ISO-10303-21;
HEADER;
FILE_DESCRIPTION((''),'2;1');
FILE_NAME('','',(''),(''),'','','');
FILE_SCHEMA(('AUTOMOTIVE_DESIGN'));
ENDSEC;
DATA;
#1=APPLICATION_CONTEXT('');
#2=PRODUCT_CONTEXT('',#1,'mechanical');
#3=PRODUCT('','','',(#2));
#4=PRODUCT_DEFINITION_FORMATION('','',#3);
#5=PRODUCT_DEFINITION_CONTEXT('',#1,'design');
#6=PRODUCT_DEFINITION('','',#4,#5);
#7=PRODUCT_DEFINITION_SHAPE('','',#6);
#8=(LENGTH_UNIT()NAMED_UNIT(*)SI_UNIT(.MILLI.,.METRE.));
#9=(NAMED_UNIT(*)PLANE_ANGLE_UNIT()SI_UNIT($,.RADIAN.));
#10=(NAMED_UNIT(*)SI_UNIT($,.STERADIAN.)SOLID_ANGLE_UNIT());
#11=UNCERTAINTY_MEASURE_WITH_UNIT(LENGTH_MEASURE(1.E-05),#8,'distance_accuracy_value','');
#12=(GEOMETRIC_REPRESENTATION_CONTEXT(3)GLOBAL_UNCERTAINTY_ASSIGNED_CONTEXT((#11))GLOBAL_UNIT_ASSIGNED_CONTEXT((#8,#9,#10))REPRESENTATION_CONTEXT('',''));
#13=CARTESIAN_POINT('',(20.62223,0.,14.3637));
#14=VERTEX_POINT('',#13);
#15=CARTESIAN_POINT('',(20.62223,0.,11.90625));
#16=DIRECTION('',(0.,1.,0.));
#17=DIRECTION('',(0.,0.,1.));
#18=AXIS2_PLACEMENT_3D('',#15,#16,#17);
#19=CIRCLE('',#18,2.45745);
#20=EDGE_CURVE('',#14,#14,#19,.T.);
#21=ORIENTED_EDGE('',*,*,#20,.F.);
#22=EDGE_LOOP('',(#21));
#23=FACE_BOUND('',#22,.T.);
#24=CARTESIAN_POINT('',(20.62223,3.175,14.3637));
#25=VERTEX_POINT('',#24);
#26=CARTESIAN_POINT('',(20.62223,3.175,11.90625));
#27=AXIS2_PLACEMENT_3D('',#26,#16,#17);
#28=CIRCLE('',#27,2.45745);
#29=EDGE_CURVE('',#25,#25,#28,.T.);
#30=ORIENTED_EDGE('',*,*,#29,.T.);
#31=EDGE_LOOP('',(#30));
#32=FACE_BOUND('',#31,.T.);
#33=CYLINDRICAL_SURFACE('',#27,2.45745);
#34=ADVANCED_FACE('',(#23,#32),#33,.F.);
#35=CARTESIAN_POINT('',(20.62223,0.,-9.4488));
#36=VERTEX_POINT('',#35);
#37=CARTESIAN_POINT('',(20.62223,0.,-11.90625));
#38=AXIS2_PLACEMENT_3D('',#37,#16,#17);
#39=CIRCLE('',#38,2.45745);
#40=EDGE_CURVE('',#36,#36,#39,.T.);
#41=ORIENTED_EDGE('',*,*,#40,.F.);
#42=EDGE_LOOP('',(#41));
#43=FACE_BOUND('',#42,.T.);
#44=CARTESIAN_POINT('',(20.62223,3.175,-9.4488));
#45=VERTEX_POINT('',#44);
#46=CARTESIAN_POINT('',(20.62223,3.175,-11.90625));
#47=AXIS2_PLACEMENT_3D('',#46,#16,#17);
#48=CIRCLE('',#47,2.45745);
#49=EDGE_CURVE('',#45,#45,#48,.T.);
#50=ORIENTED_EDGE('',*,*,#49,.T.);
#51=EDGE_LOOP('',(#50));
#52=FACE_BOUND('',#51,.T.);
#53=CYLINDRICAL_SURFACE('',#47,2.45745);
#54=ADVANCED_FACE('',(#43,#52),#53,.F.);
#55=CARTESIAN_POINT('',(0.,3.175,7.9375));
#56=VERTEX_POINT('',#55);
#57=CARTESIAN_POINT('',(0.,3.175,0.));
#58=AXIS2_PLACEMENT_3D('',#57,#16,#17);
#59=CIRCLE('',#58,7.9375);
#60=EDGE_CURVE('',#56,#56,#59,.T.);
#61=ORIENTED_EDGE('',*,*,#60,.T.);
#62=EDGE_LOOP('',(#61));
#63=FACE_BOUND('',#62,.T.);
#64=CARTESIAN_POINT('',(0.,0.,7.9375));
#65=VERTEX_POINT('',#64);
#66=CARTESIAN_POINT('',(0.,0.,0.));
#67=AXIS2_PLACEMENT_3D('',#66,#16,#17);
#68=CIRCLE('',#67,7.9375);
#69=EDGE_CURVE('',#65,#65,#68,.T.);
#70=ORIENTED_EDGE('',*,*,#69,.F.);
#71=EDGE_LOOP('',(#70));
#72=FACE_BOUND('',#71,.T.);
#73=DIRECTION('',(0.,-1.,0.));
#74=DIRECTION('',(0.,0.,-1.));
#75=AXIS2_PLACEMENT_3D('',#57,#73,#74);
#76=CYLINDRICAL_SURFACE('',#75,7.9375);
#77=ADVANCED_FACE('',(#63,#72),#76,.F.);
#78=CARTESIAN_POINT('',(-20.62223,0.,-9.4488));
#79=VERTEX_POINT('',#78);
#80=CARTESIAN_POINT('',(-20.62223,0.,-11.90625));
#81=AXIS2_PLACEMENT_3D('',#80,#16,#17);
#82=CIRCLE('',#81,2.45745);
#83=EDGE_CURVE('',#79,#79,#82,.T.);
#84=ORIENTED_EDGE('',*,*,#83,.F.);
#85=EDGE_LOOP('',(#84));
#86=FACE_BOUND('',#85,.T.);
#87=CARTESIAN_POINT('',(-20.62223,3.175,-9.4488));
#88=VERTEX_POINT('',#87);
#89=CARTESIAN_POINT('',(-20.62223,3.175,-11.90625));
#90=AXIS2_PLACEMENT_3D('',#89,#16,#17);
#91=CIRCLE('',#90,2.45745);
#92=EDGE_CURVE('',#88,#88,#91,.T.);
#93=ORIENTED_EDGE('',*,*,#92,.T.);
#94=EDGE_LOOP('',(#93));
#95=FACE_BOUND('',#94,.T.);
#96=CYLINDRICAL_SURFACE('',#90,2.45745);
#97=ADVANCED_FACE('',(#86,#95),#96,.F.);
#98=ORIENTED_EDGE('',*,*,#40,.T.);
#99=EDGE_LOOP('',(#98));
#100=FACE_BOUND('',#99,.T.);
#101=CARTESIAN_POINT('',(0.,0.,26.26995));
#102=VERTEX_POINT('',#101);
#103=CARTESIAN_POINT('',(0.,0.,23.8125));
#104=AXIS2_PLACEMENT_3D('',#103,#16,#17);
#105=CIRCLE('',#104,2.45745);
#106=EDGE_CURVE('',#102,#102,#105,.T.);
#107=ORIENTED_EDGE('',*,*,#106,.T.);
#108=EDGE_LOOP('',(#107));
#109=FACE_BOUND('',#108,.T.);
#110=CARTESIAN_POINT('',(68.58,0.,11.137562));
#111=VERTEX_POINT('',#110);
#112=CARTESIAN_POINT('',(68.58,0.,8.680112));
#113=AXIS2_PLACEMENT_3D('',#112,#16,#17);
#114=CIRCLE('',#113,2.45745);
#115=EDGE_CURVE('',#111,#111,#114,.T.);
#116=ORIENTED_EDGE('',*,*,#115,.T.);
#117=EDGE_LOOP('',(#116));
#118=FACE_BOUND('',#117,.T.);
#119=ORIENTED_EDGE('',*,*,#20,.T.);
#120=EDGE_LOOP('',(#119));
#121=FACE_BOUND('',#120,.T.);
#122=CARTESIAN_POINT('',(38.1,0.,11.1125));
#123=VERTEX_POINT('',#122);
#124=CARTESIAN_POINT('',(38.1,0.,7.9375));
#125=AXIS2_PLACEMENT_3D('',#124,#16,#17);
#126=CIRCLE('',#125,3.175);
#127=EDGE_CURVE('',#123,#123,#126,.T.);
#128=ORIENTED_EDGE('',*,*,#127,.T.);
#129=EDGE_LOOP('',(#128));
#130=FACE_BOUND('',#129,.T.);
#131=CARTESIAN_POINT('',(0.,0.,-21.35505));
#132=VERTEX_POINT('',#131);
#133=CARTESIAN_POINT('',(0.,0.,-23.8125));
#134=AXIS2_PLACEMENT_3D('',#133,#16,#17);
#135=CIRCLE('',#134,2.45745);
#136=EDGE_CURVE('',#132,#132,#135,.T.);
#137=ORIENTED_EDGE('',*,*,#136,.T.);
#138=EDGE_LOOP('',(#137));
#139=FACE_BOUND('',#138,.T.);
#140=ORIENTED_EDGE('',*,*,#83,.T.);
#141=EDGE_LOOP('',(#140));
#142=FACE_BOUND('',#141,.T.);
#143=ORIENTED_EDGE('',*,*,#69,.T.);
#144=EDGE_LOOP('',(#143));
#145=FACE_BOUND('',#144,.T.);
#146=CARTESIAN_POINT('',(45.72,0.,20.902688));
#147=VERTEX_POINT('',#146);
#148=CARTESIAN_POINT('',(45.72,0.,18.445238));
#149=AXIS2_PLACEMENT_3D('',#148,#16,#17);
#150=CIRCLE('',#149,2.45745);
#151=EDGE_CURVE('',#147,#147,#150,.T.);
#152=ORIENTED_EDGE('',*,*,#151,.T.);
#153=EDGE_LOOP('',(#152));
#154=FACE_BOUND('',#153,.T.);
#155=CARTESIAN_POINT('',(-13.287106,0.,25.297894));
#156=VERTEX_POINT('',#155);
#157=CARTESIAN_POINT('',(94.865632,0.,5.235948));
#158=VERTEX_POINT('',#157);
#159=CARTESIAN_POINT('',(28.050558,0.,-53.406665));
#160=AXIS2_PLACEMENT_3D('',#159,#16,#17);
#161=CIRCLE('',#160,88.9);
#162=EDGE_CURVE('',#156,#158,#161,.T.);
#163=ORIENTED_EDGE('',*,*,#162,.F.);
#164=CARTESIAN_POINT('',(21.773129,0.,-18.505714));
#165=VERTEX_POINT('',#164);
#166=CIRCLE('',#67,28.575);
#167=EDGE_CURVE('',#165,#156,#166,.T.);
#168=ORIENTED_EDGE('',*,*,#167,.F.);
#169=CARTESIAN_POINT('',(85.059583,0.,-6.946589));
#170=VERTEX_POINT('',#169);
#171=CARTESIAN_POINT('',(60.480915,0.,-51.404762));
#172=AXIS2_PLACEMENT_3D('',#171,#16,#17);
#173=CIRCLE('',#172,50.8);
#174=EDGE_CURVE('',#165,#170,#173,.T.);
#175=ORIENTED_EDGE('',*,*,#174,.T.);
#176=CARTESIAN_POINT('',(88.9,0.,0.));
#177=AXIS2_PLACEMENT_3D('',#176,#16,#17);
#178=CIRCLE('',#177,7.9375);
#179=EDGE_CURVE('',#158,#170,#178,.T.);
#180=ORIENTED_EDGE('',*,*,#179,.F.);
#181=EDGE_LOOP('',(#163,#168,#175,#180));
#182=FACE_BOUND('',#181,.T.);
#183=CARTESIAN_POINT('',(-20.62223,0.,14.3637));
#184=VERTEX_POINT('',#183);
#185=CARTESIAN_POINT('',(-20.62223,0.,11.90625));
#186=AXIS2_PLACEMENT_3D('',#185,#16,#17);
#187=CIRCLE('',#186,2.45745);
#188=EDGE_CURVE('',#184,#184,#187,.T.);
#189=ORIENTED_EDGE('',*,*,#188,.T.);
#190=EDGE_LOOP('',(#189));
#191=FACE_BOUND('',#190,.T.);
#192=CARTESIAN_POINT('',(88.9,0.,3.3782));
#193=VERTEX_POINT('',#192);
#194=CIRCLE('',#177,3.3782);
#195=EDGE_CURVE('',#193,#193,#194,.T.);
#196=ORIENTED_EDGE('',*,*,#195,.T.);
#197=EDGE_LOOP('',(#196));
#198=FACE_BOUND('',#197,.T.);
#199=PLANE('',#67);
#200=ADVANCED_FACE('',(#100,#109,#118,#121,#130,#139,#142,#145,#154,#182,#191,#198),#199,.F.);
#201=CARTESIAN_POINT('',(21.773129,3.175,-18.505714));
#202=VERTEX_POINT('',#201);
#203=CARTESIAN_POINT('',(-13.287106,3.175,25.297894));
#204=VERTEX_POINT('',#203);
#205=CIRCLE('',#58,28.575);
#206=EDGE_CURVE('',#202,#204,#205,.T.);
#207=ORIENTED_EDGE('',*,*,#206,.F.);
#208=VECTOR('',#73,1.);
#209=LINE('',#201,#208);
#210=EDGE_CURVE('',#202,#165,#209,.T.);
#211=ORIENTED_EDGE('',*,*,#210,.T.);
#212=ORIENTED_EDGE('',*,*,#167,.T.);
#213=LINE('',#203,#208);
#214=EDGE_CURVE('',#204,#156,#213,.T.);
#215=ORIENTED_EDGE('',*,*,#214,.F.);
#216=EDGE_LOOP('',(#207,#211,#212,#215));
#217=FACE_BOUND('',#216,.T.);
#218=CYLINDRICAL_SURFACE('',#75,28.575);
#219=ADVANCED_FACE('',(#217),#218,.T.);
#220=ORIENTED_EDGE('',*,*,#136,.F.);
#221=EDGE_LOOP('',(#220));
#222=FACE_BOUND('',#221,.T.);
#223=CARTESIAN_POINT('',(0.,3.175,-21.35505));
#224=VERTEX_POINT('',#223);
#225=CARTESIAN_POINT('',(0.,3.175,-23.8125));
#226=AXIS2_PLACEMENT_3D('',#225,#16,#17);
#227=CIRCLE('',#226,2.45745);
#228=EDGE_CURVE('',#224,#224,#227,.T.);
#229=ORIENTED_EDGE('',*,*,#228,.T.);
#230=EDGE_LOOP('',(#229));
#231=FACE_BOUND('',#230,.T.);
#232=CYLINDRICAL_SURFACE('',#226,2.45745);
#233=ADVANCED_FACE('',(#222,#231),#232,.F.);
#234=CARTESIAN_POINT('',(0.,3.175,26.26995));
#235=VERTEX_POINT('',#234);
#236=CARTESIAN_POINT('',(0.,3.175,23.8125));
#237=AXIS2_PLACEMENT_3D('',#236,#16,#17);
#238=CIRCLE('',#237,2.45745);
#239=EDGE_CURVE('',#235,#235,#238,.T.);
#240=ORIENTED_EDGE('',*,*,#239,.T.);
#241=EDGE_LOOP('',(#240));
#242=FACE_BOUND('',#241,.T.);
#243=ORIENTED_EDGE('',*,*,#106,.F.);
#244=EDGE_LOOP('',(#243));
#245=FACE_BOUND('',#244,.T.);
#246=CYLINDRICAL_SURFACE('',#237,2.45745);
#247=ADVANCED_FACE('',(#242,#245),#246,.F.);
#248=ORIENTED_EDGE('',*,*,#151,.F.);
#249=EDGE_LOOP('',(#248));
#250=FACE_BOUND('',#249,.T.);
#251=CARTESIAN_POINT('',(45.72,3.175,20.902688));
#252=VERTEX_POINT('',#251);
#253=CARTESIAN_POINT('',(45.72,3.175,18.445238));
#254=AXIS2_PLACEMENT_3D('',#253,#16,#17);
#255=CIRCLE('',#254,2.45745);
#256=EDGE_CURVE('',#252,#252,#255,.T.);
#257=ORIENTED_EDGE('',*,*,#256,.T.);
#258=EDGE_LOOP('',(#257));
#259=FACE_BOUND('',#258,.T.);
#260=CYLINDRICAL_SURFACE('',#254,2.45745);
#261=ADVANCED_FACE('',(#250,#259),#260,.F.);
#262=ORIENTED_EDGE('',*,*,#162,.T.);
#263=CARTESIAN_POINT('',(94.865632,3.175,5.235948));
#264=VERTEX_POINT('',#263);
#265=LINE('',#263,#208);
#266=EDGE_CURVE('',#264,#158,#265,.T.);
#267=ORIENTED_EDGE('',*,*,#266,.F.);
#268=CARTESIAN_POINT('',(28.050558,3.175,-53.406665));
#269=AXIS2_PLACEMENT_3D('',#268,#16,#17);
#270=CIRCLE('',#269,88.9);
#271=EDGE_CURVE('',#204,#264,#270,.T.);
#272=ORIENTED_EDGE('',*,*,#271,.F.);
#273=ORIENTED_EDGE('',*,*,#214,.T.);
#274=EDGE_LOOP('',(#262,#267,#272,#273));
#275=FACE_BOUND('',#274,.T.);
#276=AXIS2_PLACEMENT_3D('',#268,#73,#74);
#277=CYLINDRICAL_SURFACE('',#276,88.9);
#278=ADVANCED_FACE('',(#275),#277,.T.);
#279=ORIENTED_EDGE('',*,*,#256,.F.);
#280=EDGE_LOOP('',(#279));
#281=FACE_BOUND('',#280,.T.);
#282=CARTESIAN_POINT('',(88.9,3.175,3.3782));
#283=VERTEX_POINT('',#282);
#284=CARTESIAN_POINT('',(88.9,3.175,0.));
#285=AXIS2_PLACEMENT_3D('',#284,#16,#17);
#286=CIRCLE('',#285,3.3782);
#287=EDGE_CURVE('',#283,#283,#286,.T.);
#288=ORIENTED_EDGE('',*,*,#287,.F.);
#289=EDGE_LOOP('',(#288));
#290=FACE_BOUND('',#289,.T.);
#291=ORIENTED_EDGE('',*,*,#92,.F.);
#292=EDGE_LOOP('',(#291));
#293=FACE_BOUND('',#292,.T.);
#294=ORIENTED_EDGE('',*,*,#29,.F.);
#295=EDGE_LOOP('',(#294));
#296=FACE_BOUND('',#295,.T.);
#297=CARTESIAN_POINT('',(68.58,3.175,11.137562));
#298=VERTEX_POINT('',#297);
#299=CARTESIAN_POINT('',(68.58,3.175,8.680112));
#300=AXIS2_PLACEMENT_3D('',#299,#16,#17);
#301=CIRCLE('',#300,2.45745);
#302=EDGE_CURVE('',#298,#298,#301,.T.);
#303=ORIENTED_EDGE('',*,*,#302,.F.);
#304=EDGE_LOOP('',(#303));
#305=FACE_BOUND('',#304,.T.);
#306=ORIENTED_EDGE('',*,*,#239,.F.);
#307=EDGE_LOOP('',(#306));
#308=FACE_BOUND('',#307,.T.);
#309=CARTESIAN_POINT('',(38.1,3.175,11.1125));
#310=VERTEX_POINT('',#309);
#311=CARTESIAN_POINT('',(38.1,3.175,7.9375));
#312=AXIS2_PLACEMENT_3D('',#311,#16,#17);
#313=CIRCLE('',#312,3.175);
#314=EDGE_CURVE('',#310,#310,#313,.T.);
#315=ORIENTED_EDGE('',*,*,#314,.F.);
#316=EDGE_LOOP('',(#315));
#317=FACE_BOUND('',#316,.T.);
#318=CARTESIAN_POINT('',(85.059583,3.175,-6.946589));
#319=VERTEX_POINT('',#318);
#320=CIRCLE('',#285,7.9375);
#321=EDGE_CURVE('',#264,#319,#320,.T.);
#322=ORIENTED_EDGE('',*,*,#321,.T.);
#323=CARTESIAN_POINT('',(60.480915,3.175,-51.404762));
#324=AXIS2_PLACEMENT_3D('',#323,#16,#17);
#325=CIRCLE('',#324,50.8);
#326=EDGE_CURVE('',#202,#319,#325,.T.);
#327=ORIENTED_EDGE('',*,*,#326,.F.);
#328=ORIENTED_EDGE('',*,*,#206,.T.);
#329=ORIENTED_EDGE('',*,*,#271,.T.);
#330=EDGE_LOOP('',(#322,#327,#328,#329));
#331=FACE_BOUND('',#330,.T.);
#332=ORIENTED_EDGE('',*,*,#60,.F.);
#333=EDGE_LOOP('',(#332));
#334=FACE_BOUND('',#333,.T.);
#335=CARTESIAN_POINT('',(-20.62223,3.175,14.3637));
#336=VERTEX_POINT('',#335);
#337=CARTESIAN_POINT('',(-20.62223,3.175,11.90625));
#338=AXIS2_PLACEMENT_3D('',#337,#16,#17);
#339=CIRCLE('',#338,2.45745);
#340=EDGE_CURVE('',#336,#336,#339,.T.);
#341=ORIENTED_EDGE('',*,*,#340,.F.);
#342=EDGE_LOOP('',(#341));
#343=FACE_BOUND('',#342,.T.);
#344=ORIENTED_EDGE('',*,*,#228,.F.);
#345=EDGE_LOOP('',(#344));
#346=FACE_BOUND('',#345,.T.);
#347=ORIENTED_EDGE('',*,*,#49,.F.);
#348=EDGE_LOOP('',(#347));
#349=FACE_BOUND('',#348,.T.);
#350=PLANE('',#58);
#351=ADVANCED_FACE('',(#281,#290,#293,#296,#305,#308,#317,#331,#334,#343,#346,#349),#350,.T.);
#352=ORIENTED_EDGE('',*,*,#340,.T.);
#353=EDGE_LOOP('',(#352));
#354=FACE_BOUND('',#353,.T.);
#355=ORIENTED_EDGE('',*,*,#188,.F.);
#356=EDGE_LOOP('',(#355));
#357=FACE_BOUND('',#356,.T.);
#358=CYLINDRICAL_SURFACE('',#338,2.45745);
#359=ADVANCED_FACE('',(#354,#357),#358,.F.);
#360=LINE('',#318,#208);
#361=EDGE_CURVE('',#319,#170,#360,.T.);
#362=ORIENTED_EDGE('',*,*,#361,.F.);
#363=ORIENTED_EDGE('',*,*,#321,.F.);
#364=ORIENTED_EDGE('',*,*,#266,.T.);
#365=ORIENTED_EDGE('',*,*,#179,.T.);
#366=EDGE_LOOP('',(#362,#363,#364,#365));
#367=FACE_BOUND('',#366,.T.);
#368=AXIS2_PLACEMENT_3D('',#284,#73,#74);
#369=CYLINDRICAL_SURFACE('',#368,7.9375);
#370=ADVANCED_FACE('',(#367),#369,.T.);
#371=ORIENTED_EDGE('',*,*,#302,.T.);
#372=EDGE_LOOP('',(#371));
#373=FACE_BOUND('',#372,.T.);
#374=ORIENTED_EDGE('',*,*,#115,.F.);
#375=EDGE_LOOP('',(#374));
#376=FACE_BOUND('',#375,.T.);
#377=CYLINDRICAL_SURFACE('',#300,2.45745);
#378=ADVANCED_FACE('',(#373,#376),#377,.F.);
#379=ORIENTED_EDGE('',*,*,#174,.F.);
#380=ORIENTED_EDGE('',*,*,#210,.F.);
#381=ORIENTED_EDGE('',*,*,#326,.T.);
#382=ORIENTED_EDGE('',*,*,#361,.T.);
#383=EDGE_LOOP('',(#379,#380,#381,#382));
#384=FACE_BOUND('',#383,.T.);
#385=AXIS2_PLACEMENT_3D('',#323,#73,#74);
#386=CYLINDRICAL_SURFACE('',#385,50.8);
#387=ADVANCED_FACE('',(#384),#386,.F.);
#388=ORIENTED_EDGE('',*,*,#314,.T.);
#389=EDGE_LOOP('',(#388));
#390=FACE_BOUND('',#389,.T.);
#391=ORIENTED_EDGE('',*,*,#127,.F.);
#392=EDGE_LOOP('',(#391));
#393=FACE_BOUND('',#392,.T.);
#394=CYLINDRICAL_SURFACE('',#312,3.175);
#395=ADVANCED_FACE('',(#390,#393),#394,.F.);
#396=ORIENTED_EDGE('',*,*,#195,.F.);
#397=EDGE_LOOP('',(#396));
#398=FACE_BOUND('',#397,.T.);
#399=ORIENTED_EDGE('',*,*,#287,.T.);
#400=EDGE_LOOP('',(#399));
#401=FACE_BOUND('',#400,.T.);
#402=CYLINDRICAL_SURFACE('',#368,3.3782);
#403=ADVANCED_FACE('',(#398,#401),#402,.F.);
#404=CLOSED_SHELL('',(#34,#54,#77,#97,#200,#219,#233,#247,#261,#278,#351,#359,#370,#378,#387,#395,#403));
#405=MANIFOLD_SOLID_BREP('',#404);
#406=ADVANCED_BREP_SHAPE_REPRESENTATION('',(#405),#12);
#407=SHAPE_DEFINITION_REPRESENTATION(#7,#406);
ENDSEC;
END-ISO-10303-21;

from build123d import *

# Parameters (mm, degrees)
SKETCH1_R                        = 7.9375
SKETCH1_R_2                      = 3.3782
BOSS_EXTRUDE1_DEPTH              = 3.175
F_10_0_1935_DIAMETER_HOLE1_D     = 4.9149
F_1_4_0_25_DIAMETER_HOLE2_D      = 6.35
F_10_0_1935_DIAMETER_HOLE2_D     = 4.9149
F_10_0_1935_DIAMETER_HOLE2_DEPTH = 12.0396
F_10_0_1935_DIAMETER_HOLE2_TIP   = 1.476584928


with BuildPart() as part:
    # Sketch1 → Boss-Extrude1 (new body)
    with BuildSketch(Plane(origin=(0, 0, 0), x_dir=(1, 0, 0), z_dir=(0, 1, 0))):
        with BuildLine():
            ThreePointArc((21.773129464, 18.505714208), (-22.309015306, 17.856048305), (-13.287106438, -25.297893737))
            ThreePointArc((-13.287106438, -25.297893737), (44.264595617, -34.002230789), (94.865631565, -5.235947505))
            ThreePointArc((94.865631565, -5.235947505), (95.083258514, 4.977069459), (85.059583132, 6.946589417))
            ThreePointArc((85.059583132, 6.946589417), (51.353410938, 1.431482164), (21.773129464, 18.505714208))
        make_face()
        Circle(SKETCH1_R, mode=Mode.SUBTRACT)
        with Locations((88.9, 0)):
            Circle(SKETCH1_R_2, mode=Mode.SUBTRACT)
    extrude(amount=BOSS_EXTRUDE1_DEPTH)

    # #10 (0.1935) Diameter Hole1 (through all)
    with Locations(Plane(origin=(0, 3.175, 0), x_dir=(1, 0, 0), z_dir=(0, 1, 0))):
        with Locations((0, -23.8125), (-20.622229928, 11.90625), (20.622229928, 11.90625), (20.622229928, -11.90625), (-20.622229928, -11.90625), (0, 23.8125)):
            Hole(F_10_0_1935_DIAMETER_HOLE1_D / 2)

    # 1/4 (0.25) Diameter Hole2 (through all)
    with Locations(Plane(origin=(0, 3.175, 0), x_dir=(1, 0, 0), z_dir=(0, 1, 0))):
        with Locations((38.1, -7.9375)):
            Hole(F_1_4_0_25_DIAMETER_HOLE2_D / 2)

    # #10 (0.1935) Diameter Hole2
    with Locations(Plane(origin=(0, 3.175, 0), x_dir=(1, 0, 0), z_dir=(0, 1, 0))):
        with Locations((68.58, -8.680112147), (45.72, -18.445238312)):
            Hole(F_10_0_1935_DIAMETER_HOLE2_D / 2, depth=F_10_0_1935_DIAMETER_HOLE2_DEPTH)
            with Locations((0, 0, -(F_10_0_1935_DIAMETER_HOLE2_DEPTH + F_10_0_1935_DIAMETER_HOLE2_TIP / 2))):  # 118° drill point
                Cone(0, F_10_0_1935_DIAMETER_HOLE2_D / 2, F_10_0_1935_DIAMETER_HOLE2_TIP, mode=Mode.SUBTRACT)


solid = part.part
